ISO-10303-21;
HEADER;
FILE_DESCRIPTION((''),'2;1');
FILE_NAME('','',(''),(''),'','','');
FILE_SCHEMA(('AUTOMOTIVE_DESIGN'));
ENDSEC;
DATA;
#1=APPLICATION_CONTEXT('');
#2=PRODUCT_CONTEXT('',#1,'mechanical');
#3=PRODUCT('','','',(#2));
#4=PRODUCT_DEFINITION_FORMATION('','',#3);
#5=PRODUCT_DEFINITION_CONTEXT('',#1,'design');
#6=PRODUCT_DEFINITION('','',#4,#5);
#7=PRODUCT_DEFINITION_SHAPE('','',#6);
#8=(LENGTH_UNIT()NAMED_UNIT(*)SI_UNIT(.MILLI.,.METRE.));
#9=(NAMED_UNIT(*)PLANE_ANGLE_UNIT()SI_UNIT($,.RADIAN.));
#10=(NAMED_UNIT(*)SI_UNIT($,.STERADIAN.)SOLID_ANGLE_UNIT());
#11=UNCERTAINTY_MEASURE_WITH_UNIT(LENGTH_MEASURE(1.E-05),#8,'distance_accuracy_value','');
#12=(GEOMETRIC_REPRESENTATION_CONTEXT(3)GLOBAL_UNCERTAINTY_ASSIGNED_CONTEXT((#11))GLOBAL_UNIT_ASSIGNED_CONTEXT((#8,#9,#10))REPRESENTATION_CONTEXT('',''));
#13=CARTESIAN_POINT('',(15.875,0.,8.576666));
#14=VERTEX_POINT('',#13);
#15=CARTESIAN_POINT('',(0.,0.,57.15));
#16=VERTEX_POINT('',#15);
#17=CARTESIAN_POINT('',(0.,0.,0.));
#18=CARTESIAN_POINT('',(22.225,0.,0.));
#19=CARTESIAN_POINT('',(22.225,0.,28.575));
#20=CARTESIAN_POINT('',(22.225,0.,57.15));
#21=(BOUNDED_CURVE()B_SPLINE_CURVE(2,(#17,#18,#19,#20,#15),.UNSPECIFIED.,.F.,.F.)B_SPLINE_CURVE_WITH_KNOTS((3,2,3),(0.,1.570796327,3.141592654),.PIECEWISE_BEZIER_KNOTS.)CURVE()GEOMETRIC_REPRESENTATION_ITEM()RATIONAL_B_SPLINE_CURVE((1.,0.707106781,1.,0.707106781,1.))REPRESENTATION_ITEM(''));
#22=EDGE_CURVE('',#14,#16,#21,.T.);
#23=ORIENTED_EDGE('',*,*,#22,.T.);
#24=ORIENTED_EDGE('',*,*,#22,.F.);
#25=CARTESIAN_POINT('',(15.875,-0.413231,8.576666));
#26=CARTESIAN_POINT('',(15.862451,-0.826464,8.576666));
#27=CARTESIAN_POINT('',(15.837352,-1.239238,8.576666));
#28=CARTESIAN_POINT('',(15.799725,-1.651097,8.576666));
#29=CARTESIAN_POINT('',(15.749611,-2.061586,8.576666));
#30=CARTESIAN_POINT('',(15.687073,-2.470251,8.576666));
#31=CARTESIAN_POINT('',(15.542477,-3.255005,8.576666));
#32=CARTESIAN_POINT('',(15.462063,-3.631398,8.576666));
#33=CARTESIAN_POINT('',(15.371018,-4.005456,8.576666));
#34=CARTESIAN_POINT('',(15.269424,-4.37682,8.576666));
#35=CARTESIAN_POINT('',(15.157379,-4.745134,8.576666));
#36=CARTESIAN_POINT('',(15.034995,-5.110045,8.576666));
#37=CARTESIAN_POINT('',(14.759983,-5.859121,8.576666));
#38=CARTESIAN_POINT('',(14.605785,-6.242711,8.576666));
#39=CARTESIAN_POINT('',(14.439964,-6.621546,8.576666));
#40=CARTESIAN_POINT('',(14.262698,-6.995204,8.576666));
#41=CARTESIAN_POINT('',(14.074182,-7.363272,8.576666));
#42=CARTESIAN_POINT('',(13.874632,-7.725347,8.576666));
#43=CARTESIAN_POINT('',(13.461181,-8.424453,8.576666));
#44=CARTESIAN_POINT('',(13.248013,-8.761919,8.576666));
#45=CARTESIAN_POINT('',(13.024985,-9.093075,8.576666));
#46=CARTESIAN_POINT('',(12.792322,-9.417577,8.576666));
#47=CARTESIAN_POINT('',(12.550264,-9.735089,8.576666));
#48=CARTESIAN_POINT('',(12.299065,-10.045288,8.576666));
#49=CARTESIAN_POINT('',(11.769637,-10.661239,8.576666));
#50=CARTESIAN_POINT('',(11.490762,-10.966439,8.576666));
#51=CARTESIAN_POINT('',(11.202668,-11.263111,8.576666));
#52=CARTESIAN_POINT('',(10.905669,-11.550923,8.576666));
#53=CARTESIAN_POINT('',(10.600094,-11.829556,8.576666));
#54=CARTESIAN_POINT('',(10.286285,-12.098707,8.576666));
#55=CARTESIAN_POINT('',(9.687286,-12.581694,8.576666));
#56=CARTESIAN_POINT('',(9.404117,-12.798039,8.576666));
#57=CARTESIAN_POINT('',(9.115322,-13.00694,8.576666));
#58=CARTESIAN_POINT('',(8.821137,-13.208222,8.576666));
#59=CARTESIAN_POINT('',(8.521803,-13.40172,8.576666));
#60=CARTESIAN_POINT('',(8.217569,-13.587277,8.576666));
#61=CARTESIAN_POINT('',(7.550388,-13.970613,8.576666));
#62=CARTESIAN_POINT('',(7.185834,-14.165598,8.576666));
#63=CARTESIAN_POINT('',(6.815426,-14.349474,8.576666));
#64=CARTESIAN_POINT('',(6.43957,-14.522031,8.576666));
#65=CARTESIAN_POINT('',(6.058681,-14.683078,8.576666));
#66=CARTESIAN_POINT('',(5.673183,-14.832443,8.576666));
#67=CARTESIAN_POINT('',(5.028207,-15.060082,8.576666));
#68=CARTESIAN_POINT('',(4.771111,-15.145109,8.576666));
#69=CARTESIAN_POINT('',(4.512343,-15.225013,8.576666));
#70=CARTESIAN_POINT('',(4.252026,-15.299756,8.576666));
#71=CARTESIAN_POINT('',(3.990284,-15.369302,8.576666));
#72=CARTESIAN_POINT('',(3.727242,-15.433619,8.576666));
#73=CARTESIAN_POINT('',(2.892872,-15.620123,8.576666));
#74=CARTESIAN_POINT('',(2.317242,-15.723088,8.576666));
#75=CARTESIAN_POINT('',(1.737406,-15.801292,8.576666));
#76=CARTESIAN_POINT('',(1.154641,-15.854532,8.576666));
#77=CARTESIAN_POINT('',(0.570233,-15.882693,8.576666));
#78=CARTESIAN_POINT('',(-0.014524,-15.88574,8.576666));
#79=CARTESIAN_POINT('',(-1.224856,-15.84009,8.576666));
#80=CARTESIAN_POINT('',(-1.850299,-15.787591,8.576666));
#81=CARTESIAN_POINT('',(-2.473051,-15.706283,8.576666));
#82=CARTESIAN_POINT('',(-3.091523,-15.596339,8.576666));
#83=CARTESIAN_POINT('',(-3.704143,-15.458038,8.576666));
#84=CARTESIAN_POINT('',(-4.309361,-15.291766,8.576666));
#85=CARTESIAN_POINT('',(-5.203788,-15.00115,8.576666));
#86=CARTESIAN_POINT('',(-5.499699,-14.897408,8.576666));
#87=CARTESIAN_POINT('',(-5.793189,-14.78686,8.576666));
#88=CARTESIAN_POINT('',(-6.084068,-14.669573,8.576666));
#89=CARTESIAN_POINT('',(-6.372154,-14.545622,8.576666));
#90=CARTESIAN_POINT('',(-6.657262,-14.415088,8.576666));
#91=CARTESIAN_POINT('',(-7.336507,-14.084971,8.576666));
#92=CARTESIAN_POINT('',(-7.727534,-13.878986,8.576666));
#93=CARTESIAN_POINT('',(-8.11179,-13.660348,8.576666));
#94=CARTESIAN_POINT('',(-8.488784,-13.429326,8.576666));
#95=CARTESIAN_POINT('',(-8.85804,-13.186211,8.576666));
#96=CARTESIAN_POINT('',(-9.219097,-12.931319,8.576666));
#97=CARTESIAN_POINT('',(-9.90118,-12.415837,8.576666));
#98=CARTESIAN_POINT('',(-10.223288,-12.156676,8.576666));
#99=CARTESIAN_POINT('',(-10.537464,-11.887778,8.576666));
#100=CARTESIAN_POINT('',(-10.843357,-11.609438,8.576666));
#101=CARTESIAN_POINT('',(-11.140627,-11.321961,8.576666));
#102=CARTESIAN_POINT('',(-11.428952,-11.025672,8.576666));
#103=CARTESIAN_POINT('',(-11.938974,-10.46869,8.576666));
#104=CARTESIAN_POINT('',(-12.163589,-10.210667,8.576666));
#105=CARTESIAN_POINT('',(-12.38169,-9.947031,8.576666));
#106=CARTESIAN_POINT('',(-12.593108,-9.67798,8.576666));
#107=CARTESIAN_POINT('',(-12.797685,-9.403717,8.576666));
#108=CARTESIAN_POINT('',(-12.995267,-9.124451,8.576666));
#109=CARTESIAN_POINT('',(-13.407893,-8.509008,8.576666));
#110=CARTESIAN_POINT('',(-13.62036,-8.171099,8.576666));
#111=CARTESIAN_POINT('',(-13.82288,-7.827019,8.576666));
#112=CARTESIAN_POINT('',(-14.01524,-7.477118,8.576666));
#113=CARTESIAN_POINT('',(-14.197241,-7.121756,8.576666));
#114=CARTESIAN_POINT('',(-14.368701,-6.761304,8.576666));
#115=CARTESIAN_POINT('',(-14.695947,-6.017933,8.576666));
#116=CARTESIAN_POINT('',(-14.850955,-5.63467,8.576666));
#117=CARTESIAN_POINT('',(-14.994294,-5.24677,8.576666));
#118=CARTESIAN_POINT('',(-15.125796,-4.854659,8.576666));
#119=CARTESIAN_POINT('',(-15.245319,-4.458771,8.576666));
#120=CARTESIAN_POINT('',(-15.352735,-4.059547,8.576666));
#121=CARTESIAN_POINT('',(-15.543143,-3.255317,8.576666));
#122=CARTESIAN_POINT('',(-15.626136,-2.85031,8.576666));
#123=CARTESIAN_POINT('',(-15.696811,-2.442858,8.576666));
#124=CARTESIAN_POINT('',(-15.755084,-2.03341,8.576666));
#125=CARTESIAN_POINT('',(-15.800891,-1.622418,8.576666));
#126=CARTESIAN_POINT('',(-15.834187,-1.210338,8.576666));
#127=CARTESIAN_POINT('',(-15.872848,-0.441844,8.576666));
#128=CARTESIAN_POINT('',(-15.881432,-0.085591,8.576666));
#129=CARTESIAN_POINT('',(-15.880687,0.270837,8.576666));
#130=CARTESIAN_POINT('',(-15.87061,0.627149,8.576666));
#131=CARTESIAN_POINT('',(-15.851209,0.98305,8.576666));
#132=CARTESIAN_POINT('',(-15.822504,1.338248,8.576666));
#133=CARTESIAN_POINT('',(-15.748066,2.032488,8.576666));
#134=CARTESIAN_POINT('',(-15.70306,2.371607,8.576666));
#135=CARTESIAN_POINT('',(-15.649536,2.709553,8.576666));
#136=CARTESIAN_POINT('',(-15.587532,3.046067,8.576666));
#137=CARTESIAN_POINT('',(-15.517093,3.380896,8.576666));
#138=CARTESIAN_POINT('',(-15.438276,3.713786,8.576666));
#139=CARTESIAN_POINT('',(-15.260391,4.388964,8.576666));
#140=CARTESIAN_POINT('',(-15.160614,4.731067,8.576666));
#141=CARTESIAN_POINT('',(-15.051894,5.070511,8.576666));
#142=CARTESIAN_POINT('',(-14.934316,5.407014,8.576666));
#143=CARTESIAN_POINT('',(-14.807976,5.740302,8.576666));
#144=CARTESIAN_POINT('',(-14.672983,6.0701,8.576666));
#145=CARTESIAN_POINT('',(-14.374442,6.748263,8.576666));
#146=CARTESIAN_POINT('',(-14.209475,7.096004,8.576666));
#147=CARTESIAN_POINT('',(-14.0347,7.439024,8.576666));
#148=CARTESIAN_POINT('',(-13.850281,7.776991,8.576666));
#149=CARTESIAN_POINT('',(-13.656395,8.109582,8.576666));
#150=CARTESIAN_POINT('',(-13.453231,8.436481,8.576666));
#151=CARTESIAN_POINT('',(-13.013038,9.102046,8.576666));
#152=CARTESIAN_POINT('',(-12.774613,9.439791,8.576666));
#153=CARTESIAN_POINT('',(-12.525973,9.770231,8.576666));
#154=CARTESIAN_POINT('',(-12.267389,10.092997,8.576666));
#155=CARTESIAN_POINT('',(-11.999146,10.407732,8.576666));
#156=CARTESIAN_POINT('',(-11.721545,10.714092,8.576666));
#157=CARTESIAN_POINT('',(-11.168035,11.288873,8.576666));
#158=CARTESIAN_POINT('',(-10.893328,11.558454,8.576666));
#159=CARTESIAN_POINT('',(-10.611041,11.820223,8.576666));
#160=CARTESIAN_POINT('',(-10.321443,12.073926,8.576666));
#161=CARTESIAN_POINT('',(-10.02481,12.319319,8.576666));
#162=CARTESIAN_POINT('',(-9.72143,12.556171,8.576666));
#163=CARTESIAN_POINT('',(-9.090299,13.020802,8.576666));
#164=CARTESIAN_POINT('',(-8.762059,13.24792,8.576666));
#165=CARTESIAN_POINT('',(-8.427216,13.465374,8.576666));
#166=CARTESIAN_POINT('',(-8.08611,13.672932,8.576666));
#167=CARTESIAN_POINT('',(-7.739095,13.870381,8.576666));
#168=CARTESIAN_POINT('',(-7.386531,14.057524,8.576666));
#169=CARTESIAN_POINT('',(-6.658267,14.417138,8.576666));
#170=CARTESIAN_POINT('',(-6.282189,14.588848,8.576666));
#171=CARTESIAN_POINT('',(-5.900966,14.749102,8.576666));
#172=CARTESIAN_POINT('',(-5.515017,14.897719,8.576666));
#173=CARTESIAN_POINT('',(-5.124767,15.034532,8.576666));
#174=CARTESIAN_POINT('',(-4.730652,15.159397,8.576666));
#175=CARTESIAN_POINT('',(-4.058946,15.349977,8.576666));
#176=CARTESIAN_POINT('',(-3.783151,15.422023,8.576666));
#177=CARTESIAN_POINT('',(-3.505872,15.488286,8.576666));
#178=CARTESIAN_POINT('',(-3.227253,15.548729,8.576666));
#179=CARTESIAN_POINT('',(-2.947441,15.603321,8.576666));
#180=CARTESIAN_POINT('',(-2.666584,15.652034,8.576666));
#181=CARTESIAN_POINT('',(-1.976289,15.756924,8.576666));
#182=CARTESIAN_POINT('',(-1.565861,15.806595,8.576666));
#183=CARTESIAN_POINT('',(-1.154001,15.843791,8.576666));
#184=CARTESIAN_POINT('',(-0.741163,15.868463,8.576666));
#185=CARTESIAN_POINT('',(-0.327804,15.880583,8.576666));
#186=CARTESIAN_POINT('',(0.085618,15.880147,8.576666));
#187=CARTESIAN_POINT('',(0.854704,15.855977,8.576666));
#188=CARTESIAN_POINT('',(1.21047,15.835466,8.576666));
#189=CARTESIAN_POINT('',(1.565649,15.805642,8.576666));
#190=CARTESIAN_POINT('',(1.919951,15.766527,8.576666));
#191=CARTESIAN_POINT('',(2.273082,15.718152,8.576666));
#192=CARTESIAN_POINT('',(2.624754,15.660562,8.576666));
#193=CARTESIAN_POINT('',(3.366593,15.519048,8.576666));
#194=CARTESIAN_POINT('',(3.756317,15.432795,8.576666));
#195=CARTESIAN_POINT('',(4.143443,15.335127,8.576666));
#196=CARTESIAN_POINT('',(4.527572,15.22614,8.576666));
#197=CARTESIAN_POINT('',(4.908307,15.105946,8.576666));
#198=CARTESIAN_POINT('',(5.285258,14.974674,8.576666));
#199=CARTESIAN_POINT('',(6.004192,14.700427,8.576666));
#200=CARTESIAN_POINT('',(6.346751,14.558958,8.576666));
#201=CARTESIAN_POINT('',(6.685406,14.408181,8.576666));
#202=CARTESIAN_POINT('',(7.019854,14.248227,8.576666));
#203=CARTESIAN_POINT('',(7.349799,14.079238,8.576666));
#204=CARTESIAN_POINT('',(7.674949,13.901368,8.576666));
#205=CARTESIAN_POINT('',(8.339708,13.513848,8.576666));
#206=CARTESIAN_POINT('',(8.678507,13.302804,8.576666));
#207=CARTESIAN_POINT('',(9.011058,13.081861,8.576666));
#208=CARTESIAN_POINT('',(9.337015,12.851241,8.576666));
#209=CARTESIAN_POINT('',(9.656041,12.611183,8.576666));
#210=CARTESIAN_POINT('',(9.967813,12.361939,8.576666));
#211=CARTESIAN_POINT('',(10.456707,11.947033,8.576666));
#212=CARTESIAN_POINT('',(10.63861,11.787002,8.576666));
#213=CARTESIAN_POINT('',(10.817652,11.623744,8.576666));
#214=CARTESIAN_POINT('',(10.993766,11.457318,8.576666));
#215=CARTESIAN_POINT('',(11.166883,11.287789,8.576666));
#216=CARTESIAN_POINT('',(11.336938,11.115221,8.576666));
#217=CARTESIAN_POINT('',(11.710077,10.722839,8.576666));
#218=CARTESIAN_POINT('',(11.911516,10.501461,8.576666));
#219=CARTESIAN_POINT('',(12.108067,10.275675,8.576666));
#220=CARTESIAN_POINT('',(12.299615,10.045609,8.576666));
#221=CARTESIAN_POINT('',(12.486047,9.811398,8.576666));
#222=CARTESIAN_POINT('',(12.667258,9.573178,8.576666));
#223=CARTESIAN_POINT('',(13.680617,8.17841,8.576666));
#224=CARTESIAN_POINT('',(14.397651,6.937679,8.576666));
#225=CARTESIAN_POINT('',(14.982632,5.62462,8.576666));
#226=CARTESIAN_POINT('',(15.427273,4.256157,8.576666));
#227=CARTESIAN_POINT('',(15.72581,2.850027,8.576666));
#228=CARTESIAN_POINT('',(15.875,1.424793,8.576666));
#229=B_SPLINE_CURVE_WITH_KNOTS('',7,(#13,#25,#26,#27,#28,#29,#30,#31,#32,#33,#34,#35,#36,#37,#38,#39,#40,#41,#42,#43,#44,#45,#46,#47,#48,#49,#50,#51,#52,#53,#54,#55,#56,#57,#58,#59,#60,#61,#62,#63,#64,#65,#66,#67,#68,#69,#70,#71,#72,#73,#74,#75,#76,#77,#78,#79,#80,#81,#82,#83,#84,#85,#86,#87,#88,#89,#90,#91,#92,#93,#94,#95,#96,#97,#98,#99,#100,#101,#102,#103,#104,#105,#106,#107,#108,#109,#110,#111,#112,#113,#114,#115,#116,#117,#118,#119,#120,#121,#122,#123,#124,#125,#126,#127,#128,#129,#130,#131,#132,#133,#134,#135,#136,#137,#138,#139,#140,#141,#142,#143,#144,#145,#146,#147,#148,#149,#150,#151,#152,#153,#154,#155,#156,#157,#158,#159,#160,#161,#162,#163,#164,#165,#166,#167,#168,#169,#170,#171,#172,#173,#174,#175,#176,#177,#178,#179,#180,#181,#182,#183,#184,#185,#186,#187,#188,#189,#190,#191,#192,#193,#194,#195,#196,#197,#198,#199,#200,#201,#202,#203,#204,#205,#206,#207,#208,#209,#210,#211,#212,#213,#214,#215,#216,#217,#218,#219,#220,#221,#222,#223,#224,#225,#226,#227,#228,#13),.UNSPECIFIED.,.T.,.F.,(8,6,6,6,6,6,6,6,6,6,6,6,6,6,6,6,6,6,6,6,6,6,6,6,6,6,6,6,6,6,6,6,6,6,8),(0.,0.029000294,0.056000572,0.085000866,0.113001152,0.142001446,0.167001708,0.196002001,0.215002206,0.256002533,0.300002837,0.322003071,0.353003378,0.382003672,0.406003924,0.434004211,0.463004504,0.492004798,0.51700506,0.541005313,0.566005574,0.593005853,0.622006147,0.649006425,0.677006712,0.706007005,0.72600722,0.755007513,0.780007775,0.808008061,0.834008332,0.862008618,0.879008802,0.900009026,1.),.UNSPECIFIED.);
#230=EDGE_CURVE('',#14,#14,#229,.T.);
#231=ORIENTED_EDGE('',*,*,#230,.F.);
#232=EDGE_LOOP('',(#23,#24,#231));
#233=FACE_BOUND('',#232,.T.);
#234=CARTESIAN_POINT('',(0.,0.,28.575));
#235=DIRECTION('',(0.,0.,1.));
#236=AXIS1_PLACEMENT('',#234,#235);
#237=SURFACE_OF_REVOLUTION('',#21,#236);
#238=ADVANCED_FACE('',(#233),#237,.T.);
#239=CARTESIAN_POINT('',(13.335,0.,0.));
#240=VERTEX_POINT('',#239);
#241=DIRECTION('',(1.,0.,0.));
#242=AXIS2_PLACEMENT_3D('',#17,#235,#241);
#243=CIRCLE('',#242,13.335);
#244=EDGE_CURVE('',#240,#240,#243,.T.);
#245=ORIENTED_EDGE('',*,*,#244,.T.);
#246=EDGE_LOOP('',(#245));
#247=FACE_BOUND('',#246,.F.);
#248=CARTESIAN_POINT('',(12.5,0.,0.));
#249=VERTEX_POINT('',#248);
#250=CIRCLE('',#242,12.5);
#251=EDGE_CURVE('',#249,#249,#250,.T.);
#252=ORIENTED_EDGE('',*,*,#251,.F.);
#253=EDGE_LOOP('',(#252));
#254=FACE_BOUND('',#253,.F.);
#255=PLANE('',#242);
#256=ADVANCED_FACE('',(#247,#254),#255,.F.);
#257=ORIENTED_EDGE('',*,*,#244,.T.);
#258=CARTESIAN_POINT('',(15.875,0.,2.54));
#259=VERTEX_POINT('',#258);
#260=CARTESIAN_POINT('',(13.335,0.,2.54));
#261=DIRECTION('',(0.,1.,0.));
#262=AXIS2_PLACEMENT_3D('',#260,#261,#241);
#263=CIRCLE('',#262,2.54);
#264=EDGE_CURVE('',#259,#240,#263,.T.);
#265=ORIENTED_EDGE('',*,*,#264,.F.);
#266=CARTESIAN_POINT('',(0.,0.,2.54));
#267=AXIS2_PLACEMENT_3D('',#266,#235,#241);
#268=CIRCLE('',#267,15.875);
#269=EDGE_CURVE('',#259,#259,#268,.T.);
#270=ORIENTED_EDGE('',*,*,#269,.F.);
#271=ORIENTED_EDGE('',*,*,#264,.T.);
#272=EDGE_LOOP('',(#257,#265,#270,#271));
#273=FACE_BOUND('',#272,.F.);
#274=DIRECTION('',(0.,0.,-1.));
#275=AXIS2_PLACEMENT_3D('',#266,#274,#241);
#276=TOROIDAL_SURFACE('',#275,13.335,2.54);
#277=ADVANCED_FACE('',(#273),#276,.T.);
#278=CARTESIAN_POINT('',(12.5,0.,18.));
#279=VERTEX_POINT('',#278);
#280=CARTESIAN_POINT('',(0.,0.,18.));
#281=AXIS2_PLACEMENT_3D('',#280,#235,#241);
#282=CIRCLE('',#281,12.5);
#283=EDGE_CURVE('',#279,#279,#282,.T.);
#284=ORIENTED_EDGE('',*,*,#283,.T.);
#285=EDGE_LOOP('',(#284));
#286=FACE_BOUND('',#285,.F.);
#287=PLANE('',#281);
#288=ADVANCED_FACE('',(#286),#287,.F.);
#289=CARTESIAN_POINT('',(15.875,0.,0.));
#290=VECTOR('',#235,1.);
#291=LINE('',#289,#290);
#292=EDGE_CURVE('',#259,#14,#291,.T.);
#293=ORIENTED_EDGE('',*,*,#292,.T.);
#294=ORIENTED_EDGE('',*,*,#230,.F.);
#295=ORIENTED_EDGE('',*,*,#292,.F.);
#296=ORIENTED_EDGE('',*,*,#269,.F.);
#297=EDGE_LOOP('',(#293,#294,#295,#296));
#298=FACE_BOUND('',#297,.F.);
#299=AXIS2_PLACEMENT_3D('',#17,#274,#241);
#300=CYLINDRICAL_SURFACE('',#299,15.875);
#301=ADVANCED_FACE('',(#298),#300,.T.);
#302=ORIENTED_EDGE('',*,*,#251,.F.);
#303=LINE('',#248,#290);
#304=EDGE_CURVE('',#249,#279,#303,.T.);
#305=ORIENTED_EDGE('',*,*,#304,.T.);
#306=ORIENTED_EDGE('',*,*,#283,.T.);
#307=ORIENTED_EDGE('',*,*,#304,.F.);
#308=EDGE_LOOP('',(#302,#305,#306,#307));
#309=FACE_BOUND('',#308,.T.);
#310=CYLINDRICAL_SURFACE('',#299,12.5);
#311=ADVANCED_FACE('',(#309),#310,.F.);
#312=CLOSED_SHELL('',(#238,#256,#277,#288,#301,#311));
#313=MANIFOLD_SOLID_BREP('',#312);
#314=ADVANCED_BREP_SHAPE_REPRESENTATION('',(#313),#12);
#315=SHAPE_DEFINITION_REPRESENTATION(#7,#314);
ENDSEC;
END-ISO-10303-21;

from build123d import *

# Parameters (mm, degrees)
F2_R     = 15.875
F3_DEPTH = 28.575
F4_R     = 12.5
F5_DEPTH = 18
F6_R     = 2.54


with BuildPart() as f1:
    # F0 (on Front) → F1 (revolve)
    with BuildSketch(Plane.XZ):
        with BuildLine():
            Line((0, 57.15), (0, 0))
            add(Edge.make_bspline(
                [(0, 0), (22.225, 0), (22.225, 28.575), (22.225, 57.15), (0, 57.15)],
                knots=[0, 0, 0, 1.5707963268, 1.5707963268, 3.1415926536, 3.1415926536, 3.1415926536], degree=2, weights=[1, 0.7071067812, 1, 0.7071067812, 1]))
        make_face()
    revolve(axis=Axis((0, 0, 28.575), (0, 0, 1)))

    # F2 (on Top) → F3 (join)
    with BuildSketch(Plane.XY):
        Circle(F2_R)
    extrude(amount=F3_DEPTH)

    # F4 (on Top) → F5 (cut)
    with BuildSketch(Plane.XY):
        Circle(F4_R)
    extrude(amount=F5_DEPTH, mode=Mode.SUBTRACT)

    # F6
    f6_edges = [f1.edges().sort_by_distance(p)[0] for p in [
        (-15.875, 0, 0),
    ]]
    fillet(f6_edges, radius=F6_R)


solid = f1.part
